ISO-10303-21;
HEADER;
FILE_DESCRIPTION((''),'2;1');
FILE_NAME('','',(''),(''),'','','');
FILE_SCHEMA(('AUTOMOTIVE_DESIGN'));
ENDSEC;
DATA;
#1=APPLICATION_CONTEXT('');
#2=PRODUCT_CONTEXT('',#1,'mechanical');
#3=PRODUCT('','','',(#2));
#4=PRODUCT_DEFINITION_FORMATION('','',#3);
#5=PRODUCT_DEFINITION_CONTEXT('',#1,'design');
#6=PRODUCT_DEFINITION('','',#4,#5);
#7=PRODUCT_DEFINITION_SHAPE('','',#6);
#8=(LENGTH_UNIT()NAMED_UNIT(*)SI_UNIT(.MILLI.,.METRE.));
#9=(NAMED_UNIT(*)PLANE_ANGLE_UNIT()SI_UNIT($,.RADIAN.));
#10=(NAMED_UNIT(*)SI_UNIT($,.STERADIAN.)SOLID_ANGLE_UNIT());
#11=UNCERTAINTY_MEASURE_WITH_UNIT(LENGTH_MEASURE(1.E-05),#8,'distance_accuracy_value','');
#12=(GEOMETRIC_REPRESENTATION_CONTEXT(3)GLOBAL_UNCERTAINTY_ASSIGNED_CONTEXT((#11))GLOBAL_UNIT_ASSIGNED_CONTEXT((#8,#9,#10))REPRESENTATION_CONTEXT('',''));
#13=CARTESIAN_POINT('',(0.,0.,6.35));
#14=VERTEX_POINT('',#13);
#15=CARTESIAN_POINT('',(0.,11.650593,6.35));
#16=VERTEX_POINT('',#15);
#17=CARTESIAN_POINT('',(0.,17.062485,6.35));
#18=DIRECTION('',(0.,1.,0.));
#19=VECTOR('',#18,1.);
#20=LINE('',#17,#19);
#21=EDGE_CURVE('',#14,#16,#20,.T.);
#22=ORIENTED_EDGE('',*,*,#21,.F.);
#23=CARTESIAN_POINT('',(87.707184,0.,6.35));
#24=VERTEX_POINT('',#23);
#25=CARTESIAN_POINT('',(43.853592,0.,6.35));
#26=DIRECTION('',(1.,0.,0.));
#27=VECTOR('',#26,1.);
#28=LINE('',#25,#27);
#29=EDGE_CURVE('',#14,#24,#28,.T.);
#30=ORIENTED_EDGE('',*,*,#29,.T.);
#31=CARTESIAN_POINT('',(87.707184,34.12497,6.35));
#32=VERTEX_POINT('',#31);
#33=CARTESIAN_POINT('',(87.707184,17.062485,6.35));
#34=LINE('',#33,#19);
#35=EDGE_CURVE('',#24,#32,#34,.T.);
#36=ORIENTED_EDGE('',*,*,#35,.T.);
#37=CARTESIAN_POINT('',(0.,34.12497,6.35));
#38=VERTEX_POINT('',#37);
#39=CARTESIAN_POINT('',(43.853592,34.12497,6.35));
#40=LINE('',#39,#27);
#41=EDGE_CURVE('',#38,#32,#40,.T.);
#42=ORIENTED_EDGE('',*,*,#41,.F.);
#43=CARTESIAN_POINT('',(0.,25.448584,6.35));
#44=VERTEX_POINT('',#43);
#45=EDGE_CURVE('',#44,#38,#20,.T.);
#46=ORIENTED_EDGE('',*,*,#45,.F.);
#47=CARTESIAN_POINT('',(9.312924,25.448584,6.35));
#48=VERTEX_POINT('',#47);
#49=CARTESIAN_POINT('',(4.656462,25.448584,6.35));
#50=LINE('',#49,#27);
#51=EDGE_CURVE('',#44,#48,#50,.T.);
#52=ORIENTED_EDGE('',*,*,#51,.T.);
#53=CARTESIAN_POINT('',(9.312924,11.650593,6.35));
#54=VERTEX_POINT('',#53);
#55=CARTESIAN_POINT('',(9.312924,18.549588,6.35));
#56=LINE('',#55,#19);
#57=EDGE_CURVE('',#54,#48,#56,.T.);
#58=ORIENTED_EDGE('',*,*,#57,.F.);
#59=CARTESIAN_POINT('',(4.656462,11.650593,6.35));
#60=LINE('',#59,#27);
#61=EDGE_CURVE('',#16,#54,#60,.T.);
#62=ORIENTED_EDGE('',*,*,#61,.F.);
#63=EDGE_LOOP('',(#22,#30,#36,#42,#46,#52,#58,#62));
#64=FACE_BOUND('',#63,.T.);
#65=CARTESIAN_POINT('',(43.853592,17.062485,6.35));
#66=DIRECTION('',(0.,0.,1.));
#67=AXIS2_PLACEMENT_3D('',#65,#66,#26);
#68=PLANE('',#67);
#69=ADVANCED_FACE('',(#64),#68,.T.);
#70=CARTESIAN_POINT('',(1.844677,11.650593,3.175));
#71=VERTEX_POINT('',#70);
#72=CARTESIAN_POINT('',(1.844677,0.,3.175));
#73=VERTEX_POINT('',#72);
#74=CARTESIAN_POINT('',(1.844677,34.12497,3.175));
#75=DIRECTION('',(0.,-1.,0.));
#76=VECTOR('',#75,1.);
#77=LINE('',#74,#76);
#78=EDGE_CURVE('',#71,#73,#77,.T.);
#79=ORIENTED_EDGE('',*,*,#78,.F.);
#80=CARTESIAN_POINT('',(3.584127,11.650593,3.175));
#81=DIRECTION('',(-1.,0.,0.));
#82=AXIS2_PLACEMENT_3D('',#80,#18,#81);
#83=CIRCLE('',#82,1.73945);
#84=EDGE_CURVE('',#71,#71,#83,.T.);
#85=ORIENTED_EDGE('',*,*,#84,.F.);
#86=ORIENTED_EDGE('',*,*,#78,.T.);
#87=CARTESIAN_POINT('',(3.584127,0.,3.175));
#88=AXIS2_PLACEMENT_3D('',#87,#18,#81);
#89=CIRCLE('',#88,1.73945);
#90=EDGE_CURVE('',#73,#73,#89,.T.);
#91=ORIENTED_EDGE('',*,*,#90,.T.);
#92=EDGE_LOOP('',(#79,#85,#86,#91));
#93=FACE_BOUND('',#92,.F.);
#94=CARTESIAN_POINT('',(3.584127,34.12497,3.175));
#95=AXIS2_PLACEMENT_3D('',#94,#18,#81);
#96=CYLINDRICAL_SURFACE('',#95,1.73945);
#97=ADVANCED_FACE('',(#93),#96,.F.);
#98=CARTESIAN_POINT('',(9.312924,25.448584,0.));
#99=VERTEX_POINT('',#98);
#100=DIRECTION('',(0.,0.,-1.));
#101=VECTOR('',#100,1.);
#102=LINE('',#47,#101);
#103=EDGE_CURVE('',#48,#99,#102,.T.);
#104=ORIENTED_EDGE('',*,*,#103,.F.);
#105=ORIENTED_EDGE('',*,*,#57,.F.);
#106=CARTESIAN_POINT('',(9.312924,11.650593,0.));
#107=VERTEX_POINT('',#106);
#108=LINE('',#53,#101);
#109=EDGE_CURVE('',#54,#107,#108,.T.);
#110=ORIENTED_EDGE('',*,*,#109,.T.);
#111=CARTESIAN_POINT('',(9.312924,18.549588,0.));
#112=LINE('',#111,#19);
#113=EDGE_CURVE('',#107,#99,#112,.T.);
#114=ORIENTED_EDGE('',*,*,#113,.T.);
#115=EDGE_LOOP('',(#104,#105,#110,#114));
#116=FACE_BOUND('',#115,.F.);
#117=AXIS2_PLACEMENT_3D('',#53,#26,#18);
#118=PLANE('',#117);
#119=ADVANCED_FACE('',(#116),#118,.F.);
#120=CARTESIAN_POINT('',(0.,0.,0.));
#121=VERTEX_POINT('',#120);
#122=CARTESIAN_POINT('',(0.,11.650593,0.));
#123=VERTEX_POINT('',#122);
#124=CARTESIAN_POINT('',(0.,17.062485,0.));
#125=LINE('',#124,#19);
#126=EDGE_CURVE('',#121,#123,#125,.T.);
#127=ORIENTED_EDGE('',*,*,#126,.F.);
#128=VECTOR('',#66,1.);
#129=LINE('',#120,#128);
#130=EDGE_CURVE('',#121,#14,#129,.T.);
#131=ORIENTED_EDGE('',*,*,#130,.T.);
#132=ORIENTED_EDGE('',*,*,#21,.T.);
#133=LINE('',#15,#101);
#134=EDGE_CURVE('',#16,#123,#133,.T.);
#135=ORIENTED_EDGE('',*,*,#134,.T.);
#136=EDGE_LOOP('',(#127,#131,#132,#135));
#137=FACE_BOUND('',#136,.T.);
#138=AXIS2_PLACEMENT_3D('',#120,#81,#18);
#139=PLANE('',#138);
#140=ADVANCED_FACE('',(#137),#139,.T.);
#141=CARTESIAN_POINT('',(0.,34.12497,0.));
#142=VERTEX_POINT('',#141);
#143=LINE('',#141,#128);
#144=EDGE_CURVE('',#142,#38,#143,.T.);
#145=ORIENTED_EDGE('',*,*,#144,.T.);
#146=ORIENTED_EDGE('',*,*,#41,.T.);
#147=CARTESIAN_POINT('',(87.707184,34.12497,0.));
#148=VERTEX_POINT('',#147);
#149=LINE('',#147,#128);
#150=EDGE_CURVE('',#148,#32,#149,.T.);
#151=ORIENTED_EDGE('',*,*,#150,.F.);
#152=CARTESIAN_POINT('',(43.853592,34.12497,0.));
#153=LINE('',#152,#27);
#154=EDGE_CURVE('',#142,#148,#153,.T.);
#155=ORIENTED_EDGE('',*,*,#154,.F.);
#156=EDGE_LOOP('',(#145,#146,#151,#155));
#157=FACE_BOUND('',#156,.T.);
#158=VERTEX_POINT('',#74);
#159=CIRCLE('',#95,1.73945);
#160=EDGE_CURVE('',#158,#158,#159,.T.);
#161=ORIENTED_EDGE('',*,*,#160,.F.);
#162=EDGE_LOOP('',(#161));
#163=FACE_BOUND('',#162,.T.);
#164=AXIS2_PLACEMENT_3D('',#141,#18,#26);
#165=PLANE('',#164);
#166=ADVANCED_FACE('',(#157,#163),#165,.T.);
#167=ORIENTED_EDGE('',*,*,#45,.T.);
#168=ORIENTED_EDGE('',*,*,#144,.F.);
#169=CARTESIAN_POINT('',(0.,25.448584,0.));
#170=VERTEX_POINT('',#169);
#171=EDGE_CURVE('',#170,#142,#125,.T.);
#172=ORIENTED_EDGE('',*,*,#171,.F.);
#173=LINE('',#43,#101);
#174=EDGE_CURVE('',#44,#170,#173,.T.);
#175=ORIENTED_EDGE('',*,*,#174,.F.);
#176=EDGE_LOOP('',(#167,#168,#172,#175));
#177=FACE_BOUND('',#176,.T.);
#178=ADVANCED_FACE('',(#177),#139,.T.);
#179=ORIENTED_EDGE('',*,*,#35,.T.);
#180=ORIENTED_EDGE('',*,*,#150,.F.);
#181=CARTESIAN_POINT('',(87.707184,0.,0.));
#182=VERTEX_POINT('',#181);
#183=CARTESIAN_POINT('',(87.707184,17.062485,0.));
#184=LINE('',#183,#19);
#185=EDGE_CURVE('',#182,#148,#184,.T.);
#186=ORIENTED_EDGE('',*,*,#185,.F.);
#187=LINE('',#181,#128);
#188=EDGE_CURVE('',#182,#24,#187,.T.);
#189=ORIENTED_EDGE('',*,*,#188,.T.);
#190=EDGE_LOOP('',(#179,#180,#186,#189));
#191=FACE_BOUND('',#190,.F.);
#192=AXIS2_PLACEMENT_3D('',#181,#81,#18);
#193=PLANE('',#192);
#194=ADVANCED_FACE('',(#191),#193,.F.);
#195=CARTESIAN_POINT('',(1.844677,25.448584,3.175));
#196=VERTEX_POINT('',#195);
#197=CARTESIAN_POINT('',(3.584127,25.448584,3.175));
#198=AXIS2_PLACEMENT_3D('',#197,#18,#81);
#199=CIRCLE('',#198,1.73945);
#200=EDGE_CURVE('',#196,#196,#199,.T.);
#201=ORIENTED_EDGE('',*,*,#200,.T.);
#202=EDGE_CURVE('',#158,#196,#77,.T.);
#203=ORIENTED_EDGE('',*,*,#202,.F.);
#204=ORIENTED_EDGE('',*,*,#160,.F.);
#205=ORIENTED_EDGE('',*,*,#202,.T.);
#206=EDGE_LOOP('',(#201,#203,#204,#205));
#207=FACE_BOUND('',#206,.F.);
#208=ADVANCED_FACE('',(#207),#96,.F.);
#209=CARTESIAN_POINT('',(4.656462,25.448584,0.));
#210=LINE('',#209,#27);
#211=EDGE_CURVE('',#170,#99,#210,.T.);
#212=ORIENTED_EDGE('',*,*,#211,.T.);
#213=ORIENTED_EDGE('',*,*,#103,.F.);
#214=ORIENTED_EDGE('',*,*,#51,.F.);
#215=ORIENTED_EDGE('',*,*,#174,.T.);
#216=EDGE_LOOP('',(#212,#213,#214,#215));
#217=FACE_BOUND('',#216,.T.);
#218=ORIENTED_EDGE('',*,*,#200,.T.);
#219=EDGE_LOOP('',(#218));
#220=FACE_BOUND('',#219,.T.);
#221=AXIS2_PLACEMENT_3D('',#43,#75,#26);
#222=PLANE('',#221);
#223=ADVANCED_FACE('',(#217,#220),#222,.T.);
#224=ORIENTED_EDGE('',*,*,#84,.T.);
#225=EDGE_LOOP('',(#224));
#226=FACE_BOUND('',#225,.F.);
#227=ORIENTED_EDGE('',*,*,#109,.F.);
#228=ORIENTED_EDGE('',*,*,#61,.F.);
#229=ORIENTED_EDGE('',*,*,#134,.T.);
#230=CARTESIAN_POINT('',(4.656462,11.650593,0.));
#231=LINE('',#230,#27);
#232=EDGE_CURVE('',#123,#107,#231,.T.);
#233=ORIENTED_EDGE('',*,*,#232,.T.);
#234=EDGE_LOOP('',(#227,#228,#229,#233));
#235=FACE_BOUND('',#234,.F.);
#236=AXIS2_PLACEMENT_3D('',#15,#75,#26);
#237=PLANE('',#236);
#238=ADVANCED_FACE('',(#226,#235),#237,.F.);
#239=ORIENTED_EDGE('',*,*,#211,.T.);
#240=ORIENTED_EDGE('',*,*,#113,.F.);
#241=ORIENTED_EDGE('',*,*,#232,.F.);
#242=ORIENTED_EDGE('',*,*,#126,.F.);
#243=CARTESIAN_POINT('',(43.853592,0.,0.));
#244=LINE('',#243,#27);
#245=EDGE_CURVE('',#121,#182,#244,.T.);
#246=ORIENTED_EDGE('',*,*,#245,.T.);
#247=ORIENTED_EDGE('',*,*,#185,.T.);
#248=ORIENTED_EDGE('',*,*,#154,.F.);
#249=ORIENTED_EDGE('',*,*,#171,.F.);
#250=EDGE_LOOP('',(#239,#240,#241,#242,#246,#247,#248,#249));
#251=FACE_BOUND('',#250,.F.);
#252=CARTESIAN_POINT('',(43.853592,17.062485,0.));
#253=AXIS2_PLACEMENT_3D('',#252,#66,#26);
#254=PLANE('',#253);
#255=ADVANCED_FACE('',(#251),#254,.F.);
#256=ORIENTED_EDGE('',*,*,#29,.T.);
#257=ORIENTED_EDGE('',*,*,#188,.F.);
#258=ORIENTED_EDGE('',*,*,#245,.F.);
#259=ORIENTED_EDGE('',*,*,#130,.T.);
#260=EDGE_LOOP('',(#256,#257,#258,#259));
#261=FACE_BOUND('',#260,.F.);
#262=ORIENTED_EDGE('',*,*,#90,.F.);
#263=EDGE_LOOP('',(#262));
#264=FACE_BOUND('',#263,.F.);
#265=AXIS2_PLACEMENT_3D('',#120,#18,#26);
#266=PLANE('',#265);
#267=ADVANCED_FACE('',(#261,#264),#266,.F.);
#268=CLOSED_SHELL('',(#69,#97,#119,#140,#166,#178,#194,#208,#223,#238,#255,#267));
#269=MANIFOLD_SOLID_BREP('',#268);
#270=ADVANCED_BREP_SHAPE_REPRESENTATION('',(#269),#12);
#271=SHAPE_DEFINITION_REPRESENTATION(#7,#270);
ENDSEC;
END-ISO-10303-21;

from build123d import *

# Parameters (mm, degrees)
F0_W     = 87.707184
F0_H     = 34.12497
F1_DEPTH = 6.35
F2_W     = 9.312924
F2_H     = 13.797991
F3_DEPTH = 6.35
F4_R     = 1.73945
F5_DEPTH = 34.12497


with BuildPart() as f1:
    # F0 (on Top) → F1 (new body)
    with BuildSketch(Plane.XY):
        with Locations((43.853592, 17.062485)):
            Rectangle(F0_W, F0_H)
    extrude(amount=F1_DEPTH)

    # F2 (on face) → F3 (cut, through all)
    with BuildSketch(Plane.XY.offset(6.35)):
        with Locations((4.656462, 18.549588)):
            Rectangle(F2_W, F2_H)
    extrude(amount=-F3_DEPTH, mode=Mode.SUBTRACT)

    # F4 (on face) → F5 (cut, through all)
    with BuildSketch(Plane(origin=(0, 34.12497, 0), x_dir=(-1, 0, 0), z_dir=(0, 1, 0))):
        with Locations((-3.584127, 3.175)):
            Circle(F4_R)
    extrude(amount=-F5_DEPTH, mode=Mode.SUBTRACT)


solid = f1.part
